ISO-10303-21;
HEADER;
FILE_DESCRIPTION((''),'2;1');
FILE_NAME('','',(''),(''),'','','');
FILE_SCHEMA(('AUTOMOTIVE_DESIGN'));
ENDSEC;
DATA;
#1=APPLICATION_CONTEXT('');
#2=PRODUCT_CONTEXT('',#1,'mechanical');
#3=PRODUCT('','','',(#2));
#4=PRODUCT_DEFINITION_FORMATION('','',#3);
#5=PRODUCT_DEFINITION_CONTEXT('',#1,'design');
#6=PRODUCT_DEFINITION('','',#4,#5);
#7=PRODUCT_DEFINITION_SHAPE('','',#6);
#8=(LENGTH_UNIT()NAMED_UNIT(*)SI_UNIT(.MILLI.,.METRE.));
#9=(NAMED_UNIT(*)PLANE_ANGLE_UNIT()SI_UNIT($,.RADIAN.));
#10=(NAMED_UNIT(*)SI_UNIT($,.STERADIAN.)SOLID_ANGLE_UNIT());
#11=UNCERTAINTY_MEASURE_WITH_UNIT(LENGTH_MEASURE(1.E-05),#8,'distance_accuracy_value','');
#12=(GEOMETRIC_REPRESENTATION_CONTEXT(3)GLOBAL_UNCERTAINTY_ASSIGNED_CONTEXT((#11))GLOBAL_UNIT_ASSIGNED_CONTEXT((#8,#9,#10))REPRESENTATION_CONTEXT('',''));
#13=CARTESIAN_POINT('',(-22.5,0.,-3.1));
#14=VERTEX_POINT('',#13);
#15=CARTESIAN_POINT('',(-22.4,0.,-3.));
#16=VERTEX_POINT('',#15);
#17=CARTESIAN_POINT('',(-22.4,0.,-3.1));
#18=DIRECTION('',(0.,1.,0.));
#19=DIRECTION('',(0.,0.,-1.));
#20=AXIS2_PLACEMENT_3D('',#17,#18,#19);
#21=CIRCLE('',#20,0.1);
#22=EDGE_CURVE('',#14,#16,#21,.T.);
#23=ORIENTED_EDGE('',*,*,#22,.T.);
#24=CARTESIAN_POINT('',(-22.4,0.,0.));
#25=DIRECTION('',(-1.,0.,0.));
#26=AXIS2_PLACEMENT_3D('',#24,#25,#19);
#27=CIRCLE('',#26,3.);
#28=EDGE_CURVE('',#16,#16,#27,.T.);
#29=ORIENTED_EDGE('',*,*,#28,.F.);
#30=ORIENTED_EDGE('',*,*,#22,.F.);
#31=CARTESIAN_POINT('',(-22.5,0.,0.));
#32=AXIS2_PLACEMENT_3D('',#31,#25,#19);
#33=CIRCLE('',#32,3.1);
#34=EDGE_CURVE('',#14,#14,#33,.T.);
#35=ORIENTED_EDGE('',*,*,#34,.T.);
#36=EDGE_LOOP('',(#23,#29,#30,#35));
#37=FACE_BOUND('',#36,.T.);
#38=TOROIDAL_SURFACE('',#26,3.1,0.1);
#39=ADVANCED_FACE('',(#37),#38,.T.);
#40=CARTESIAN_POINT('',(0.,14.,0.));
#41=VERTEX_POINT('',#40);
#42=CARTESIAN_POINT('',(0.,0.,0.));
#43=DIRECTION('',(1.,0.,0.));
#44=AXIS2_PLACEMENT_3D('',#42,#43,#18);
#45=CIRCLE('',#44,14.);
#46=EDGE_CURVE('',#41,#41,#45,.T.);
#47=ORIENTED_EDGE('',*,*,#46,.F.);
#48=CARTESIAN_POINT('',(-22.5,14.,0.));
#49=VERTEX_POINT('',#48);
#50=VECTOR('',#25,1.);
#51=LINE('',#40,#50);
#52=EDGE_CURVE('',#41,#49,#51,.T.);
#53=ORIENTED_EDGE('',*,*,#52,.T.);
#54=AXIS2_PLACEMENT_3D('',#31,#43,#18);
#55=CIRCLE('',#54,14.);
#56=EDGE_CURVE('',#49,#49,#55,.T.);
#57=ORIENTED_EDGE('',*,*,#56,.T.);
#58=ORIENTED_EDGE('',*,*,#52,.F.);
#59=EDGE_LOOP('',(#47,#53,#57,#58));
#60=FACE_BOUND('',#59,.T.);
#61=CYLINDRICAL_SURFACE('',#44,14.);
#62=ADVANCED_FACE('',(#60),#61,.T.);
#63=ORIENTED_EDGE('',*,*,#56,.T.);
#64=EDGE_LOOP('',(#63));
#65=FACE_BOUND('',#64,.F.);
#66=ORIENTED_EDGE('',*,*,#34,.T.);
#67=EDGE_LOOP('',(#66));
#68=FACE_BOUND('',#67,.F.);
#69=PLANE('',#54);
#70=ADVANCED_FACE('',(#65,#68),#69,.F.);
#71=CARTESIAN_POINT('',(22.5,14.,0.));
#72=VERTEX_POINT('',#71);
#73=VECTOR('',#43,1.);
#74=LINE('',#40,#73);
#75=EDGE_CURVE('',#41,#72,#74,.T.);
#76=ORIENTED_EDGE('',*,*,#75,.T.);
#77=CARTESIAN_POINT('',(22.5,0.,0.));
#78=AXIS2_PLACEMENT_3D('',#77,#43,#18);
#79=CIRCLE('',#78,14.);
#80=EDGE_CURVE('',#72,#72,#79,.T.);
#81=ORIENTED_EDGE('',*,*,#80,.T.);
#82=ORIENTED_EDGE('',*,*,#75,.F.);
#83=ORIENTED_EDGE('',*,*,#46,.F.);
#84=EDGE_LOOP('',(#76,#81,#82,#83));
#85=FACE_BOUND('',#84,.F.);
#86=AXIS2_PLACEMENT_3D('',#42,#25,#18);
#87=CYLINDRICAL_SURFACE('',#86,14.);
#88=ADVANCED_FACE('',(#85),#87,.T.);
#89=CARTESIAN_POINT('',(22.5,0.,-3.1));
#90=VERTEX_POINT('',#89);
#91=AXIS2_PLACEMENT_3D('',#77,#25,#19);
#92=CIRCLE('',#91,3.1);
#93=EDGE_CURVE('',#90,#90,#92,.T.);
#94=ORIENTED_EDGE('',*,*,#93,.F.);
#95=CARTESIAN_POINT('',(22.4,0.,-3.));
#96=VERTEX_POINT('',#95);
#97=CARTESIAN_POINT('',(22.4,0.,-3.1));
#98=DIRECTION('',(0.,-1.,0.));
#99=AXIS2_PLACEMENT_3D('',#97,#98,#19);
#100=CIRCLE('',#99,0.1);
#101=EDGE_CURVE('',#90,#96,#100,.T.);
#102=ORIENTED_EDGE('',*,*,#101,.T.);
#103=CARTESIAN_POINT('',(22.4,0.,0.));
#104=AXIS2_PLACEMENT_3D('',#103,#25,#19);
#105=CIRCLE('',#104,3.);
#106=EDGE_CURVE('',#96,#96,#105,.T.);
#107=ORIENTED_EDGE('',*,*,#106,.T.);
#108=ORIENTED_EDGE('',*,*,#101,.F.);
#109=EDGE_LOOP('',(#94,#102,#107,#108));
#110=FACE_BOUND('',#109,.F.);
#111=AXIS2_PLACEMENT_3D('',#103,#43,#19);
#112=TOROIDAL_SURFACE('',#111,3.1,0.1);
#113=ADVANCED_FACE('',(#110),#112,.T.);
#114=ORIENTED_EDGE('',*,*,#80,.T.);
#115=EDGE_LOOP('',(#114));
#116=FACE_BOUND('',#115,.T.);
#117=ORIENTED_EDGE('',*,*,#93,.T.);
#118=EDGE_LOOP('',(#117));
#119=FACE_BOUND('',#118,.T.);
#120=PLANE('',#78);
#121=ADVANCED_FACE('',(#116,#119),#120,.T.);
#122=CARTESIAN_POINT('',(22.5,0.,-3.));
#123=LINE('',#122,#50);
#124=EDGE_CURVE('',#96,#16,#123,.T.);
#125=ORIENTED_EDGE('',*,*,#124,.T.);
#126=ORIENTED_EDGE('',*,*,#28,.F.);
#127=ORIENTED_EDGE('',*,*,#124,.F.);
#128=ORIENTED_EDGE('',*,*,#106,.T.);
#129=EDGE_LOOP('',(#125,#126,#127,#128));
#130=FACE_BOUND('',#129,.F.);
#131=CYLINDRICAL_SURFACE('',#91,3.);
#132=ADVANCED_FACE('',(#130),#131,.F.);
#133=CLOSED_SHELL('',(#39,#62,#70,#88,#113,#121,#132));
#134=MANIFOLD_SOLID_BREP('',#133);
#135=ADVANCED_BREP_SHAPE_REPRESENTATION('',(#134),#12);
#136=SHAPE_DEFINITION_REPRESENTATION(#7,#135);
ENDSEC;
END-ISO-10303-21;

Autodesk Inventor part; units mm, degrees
ref_plane "YZ Plane" through (0, 0, 0) normal (1, 0, 0) x (0, 1, 0)
ref_plane "XZ Plane" through (0, 0, 0) normal (0, 1, 0) x (-1, 0, 0)
ref_plane "XY Plane" through (0, 0, 0) normal (0, 0, 1) x (1, 0, 0)
sketch "Эскиз1" plane through (0, 0, 0) normal (1, 0, 0) x (0, 1, 0)
  circle A0 centre (0, 0) radius 14
  dimension "d0" = 28
extrude "Выдавливание1" add sketch "Эскиз1" along normal mid plane 45
sketch "Эскиз2" plane through (22.5, 0, 0) normal (1, 0, 0) x (0, 0, -1)
  point P0 (0, 0)
  point P1 (0, 0)
hole "Отверстие1" at (22.5, 0, 0) direction (-1, 0, 0) diameter 6 depth 60
fillet "Сопряжение1" radius 0.1 2 edges at (-22.5, 0, 3) (22.5, 0, 3)
properties part number "Вал конвейера 2"
